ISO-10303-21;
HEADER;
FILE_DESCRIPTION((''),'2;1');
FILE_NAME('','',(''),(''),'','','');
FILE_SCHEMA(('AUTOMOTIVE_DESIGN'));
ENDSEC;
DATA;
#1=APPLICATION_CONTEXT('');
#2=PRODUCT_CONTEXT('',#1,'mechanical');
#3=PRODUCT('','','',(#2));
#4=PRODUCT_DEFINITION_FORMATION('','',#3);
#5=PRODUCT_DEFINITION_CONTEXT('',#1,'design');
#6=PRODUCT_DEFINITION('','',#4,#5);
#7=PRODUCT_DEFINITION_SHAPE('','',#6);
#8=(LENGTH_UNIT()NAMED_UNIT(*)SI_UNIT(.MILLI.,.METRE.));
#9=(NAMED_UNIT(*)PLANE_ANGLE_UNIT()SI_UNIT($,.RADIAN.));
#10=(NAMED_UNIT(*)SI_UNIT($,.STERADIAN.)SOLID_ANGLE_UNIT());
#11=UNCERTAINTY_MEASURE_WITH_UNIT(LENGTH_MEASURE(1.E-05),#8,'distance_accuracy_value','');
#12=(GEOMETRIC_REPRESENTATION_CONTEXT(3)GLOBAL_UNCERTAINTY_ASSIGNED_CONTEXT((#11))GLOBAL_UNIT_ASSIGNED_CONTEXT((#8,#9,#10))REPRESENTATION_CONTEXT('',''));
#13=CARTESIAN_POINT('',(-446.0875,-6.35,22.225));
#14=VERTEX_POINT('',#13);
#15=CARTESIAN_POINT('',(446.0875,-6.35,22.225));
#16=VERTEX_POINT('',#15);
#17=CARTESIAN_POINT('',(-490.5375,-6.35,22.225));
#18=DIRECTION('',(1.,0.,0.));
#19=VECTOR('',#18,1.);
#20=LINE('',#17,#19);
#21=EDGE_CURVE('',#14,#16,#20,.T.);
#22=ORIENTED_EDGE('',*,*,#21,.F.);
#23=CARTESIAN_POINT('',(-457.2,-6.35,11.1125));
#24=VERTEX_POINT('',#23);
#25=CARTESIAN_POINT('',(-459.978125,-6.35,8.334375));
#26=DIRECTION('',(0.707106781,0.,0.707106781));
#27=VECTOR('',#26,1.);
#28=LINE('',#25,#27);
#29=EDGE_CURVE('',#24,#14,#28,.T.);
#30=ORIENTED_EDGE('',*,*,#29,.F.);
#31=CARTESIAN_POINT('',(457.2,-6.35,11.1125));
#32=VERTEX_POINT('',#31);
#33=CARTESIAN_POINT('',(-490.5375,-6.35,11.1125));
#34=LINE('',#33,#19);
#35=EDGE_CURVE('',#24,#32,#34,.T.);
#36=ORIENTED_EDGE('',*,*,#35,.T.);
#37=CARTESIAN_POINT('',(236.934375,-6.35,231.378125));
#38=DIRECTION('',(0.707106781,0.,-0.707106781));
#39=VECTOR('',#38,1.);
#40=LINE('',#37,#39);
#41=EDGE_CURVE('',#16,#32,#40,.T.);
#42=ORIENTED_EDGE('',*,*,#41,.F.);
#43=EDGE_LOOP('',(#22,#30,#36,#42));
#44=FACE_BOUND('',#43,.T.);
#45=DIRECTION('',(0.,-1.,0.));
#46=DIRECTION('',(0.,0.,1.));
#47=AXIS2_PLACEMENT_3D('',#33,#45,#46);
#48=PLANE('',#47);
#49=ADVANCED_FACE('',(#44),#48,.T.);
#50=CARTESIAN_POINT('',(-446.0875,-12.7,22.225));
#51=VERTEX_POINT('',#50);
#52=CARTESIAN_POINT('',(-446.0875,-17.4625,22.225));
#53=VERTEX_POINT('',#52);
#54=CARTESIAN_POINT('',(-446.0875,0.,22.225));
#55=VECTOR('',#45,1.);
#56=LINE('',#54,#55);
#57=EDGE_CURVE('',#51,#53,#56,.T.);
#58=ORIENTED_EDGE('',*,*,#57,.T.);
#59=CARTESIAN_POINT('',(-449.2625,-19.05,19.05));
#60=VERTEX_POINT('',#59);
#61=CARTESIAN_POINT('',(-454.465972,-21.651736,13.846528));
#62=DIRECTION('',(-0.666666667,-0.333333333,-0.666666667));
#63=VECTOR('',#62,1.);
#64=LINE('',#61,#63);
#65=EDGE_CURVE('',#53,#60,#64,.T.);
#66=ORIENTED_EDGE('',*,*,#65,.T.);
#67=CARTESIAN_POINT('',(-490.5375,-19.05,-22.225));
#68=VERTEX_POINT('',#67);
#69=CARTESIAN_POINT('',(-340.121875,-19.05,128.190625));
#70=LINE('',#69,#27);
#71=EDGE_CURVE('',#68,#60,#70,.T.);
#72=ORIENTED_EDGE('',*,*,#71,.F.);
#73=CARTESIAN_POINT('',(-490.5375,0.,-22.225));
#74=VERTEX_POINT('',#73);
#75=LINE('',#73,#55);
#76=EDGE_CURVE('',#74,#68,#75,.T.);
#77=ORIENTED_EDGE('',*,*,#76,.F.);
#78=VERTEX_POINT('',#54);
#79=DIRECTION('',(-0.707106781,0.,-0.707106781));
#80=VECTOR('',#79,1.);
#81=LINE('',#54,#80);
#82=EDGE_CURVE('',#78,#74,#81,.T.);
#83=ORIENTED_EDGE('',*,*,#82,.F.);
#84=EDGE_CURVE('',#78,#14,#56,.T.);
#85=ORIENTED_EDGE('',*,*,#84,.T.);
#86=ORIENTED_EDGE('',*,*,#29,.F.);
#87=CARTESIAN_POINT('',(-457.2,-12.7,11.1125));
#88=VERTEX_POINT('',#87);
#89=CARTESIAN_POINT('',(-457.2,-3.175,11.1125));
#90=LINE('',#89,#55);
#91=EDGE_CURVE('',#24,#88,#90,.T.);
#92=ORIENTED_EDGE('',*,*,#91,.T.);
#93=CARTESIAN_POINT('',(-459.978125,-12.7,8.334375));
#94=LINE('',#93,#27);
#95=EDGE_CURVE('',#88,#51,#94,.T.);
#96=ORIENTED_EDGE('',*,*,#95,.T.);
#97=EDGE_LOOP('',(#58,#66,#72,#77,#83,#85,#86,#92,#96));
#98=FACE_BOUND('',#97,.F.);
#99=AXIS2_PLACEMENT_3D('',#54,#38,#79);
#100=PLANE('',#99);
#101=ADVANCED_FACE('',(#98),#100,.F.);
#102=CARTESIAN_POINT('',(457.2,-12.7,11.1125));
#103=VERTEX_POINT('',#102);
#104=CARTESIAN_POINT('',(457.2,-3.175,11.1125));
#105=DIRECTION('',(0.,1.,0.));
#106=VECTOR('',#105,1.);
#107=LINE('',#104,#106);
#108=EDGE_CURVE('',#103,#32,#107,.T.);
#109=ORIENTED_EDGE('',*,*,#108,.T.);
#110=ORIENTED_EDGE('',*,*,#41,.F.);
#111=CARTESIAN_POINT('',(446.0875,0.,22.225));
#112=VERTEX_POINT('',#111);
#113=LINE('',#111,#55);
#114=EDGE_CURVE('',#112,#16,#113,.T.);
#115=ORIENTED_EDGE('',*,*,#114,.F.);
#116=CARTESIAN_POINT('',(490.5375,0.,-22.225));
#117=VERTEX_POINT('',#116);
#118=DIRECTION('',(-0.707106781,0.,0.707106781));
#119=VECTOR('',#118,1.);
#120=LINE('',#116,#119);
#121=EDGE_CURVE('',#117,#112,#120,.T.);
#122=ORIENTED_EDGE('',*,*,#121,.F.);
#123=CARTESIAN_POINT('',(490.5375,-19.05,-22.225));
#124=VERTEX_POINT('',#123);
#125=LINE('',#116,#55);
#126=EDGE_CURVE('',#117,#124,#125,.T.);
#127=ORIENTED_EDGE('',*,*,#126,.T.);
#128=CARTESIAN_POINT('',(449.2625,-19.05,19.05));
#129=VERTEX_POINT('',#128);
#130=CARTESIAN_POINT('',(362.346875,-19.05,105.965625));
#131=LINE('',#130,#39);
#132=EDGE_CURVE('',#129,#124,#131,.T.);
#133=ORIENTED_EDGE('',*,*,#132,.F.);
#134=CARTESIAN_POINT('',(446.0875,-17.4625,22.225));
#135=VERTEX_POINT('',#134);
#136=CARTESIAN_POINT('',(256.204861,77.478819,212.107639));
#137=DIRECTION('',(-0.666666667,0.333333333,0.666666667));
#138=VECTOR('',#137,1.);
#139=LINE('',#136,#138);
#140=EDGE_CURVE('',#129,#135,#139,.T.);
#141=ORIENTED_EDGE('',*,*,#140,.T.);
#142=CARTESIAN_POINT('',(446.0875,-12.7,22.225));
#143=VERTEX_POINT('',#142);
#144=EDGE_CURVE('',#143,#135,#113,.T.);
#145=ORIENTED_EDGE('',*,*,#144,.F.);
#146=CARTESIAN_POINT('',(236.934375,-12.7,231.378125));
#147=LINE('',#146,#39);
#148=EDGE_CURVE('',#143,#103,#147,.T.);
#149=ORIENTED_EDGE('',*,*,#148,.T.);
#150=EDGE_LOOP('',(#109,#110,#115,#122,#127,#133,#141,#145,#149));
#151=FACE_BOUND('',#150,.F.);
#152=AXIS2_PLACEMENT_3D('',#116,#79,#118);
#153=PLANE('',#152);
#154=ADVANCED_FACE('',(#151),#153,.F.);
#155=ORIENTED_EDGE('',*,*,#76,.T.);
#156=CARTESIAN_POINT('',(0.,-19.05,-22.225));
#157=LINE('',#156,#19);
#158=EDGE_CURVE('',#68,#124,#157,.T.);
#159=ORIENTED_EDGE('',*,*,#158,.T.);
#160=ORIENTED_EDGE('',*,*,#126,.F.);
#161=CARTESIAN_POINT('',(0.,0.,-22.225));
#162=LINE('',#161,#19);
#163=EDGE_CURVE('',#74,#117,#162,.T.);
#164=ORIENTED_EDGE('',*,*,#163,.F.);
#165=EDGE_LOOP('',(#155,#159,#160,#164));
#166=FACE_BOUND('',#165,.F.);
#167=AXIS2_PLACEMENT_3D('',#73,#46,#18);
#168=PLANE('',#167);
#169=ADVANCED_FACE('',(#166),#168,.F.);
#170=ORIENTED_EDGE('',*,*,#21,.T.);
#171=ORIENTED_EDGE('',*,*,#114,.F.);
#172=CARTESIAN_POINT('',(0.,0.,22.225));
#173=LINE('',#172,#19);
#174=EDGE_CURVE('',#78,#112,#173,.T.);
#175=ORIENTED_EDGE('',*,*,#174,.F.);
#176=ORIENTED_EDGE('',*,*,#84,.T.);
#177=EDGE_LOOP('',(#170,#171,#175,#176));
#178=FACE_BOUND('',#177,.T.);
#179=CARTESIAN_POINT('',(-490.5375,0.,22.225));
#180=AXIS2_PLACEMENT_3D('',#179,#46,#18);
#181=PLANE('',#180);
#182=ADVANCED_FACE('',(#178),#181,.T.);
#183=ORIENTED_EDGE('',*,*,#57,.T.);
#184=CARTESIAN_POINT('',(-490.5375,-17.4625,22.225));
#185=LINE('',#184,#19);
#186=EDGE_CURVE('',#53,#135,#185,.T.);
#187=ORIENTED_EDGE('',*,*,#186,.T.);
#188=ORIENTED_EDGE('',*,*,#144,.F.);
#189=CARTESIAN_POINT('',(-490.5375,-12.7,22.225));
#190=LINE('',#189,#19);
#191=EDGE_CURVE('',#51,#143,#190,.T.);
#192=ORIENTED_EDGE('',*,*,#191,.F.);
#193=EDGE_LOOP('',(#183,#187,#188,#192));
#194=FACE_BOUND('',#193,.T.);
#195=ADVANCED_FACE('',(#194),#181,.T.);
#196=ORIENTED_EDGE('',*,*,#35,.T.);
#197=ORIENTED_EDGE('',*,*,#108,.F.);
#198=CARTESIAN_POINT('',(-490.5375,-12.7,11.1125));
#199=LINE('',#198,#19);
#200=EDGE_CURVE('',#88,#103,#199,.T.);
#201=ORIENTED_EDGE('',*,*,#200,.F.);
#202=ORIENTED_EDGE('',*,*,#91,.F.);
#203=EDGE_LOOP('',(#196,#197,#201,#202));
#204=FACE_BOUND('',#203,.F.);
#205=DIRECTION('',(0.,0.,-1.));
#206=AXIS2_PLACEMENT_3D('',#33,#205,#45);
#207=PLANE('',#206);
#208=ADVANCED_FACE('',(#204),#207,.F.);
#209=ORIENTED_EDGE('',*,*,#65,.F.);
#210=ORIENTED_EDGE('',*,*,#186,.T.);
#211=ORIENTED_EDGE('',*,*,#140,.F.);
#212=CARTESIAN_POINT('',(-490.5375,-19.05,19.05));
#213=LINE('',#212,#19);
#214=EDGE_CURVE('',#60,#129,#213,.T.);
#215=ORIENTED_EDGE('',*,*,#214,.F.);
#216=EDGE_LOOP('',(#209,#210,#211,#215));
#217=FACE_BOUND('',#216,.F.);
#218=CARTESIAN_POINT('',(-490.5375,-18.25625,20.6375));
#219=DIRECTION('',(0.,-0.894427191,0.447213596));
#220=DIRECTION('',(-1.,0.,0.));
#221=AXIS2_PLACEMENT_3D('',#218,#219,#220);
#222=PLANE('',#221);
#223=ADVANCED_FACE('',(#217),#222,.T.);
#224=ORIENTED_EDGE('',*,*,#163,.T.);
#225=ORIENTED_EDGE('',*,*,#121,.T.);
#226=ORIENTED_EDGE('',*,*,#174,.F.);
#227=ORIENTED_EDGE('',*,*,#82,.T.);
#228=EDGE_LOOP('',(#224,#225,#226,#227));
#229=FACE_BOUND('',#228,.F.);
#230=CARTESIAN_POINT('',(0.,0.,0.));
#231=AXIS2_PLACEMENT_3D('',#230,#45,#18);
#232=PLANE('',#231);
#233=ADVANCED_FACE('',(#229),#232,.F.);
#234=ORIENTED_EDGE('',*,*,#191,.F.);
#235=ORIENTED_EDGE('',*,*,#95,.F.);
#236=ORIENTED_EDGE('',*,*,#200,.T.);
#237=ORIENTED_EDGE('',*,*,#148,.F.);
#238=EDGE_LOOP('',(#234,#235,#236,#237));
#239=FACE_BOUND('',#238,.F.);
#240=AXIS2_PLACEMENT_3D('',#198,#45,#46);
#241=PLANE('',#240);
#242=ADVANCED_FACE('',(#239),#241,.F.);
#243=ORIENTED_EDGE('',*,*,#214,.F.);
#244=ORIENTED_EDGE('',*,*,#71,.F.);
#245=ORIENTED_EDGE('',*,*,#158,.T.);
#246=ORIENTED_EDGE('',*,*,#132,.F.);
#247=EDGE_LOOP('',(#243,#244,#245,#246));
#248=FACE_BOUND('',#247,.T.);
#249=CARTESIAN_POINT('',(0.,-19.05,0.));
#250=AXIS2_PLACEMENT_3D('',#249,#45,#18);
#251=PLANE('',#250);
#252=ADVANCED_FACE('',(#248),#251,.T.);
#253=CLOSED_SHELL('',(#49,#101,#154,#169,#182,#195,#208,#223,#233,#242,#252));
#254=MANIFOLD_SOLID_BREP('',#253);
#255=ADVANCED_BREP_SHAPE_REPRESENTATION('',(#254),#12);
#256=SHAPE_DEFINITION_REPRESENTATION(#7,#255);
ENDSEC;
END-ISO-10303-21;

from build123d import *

# Parameters (mm, degrees)
F0_W     = 981.075
F0_H     = 44.45
F1_DEPTH = 19.05
F2_W     = 6.35
F2_H     = 11.1125
F3_DEPTH = 981.076
F4_SIZE2 = 3.175
F4_SIZE  = 1.5875
F6_DEPTH = 19.051


with BuildPart() as f1:
    # F0 (on Front) → F1 (new body)
    with BuildSketch(Plane.XZ):
        Rectangle(F0_W, F0_H)
    extrude(amount=F1_DEPTH)

    # F2 (on face) → F3 (cut, through all)
    with BuildSketch(Plane(origin=(-490.5375, 0, 0), x_dir=(0, -1, 0), z_dir=(-1, 0, 0))):
        with Locations((9.525, 16.66875)):
            Rectangle(F2_W, F2_H)
    extrude(amount=-F3_DEPTH, mode=Mode.SUBTRACT)

    # F4
    f4_edges = [f1.edges().sort_by_distance(p)[0] for p in [
        (0, -19.05, 22.225),
    ]]
    chamfer(f4_edges, length=F4_SIZE, length2=F4_SIZE2)

    # F5 (on face) → F6 (cut, through all)
    with BuildSketch(Plane(origin=(0, 0, 0), x_dir=(-1, 0, 0), z_dir=(0, 1, 0))):
        Polygon((-490.5375, 22.225), (-490.5375, -22.225), (-446.0875, 22.225), align=None)
        Polygon((446.0875, 22.225), (490.5375, -22.225), (490.5375, 22.225), align=None)
    extrude(amount=-F6_DEPTH, mode=Mode.SUBTRACT)


solid = f1.part
